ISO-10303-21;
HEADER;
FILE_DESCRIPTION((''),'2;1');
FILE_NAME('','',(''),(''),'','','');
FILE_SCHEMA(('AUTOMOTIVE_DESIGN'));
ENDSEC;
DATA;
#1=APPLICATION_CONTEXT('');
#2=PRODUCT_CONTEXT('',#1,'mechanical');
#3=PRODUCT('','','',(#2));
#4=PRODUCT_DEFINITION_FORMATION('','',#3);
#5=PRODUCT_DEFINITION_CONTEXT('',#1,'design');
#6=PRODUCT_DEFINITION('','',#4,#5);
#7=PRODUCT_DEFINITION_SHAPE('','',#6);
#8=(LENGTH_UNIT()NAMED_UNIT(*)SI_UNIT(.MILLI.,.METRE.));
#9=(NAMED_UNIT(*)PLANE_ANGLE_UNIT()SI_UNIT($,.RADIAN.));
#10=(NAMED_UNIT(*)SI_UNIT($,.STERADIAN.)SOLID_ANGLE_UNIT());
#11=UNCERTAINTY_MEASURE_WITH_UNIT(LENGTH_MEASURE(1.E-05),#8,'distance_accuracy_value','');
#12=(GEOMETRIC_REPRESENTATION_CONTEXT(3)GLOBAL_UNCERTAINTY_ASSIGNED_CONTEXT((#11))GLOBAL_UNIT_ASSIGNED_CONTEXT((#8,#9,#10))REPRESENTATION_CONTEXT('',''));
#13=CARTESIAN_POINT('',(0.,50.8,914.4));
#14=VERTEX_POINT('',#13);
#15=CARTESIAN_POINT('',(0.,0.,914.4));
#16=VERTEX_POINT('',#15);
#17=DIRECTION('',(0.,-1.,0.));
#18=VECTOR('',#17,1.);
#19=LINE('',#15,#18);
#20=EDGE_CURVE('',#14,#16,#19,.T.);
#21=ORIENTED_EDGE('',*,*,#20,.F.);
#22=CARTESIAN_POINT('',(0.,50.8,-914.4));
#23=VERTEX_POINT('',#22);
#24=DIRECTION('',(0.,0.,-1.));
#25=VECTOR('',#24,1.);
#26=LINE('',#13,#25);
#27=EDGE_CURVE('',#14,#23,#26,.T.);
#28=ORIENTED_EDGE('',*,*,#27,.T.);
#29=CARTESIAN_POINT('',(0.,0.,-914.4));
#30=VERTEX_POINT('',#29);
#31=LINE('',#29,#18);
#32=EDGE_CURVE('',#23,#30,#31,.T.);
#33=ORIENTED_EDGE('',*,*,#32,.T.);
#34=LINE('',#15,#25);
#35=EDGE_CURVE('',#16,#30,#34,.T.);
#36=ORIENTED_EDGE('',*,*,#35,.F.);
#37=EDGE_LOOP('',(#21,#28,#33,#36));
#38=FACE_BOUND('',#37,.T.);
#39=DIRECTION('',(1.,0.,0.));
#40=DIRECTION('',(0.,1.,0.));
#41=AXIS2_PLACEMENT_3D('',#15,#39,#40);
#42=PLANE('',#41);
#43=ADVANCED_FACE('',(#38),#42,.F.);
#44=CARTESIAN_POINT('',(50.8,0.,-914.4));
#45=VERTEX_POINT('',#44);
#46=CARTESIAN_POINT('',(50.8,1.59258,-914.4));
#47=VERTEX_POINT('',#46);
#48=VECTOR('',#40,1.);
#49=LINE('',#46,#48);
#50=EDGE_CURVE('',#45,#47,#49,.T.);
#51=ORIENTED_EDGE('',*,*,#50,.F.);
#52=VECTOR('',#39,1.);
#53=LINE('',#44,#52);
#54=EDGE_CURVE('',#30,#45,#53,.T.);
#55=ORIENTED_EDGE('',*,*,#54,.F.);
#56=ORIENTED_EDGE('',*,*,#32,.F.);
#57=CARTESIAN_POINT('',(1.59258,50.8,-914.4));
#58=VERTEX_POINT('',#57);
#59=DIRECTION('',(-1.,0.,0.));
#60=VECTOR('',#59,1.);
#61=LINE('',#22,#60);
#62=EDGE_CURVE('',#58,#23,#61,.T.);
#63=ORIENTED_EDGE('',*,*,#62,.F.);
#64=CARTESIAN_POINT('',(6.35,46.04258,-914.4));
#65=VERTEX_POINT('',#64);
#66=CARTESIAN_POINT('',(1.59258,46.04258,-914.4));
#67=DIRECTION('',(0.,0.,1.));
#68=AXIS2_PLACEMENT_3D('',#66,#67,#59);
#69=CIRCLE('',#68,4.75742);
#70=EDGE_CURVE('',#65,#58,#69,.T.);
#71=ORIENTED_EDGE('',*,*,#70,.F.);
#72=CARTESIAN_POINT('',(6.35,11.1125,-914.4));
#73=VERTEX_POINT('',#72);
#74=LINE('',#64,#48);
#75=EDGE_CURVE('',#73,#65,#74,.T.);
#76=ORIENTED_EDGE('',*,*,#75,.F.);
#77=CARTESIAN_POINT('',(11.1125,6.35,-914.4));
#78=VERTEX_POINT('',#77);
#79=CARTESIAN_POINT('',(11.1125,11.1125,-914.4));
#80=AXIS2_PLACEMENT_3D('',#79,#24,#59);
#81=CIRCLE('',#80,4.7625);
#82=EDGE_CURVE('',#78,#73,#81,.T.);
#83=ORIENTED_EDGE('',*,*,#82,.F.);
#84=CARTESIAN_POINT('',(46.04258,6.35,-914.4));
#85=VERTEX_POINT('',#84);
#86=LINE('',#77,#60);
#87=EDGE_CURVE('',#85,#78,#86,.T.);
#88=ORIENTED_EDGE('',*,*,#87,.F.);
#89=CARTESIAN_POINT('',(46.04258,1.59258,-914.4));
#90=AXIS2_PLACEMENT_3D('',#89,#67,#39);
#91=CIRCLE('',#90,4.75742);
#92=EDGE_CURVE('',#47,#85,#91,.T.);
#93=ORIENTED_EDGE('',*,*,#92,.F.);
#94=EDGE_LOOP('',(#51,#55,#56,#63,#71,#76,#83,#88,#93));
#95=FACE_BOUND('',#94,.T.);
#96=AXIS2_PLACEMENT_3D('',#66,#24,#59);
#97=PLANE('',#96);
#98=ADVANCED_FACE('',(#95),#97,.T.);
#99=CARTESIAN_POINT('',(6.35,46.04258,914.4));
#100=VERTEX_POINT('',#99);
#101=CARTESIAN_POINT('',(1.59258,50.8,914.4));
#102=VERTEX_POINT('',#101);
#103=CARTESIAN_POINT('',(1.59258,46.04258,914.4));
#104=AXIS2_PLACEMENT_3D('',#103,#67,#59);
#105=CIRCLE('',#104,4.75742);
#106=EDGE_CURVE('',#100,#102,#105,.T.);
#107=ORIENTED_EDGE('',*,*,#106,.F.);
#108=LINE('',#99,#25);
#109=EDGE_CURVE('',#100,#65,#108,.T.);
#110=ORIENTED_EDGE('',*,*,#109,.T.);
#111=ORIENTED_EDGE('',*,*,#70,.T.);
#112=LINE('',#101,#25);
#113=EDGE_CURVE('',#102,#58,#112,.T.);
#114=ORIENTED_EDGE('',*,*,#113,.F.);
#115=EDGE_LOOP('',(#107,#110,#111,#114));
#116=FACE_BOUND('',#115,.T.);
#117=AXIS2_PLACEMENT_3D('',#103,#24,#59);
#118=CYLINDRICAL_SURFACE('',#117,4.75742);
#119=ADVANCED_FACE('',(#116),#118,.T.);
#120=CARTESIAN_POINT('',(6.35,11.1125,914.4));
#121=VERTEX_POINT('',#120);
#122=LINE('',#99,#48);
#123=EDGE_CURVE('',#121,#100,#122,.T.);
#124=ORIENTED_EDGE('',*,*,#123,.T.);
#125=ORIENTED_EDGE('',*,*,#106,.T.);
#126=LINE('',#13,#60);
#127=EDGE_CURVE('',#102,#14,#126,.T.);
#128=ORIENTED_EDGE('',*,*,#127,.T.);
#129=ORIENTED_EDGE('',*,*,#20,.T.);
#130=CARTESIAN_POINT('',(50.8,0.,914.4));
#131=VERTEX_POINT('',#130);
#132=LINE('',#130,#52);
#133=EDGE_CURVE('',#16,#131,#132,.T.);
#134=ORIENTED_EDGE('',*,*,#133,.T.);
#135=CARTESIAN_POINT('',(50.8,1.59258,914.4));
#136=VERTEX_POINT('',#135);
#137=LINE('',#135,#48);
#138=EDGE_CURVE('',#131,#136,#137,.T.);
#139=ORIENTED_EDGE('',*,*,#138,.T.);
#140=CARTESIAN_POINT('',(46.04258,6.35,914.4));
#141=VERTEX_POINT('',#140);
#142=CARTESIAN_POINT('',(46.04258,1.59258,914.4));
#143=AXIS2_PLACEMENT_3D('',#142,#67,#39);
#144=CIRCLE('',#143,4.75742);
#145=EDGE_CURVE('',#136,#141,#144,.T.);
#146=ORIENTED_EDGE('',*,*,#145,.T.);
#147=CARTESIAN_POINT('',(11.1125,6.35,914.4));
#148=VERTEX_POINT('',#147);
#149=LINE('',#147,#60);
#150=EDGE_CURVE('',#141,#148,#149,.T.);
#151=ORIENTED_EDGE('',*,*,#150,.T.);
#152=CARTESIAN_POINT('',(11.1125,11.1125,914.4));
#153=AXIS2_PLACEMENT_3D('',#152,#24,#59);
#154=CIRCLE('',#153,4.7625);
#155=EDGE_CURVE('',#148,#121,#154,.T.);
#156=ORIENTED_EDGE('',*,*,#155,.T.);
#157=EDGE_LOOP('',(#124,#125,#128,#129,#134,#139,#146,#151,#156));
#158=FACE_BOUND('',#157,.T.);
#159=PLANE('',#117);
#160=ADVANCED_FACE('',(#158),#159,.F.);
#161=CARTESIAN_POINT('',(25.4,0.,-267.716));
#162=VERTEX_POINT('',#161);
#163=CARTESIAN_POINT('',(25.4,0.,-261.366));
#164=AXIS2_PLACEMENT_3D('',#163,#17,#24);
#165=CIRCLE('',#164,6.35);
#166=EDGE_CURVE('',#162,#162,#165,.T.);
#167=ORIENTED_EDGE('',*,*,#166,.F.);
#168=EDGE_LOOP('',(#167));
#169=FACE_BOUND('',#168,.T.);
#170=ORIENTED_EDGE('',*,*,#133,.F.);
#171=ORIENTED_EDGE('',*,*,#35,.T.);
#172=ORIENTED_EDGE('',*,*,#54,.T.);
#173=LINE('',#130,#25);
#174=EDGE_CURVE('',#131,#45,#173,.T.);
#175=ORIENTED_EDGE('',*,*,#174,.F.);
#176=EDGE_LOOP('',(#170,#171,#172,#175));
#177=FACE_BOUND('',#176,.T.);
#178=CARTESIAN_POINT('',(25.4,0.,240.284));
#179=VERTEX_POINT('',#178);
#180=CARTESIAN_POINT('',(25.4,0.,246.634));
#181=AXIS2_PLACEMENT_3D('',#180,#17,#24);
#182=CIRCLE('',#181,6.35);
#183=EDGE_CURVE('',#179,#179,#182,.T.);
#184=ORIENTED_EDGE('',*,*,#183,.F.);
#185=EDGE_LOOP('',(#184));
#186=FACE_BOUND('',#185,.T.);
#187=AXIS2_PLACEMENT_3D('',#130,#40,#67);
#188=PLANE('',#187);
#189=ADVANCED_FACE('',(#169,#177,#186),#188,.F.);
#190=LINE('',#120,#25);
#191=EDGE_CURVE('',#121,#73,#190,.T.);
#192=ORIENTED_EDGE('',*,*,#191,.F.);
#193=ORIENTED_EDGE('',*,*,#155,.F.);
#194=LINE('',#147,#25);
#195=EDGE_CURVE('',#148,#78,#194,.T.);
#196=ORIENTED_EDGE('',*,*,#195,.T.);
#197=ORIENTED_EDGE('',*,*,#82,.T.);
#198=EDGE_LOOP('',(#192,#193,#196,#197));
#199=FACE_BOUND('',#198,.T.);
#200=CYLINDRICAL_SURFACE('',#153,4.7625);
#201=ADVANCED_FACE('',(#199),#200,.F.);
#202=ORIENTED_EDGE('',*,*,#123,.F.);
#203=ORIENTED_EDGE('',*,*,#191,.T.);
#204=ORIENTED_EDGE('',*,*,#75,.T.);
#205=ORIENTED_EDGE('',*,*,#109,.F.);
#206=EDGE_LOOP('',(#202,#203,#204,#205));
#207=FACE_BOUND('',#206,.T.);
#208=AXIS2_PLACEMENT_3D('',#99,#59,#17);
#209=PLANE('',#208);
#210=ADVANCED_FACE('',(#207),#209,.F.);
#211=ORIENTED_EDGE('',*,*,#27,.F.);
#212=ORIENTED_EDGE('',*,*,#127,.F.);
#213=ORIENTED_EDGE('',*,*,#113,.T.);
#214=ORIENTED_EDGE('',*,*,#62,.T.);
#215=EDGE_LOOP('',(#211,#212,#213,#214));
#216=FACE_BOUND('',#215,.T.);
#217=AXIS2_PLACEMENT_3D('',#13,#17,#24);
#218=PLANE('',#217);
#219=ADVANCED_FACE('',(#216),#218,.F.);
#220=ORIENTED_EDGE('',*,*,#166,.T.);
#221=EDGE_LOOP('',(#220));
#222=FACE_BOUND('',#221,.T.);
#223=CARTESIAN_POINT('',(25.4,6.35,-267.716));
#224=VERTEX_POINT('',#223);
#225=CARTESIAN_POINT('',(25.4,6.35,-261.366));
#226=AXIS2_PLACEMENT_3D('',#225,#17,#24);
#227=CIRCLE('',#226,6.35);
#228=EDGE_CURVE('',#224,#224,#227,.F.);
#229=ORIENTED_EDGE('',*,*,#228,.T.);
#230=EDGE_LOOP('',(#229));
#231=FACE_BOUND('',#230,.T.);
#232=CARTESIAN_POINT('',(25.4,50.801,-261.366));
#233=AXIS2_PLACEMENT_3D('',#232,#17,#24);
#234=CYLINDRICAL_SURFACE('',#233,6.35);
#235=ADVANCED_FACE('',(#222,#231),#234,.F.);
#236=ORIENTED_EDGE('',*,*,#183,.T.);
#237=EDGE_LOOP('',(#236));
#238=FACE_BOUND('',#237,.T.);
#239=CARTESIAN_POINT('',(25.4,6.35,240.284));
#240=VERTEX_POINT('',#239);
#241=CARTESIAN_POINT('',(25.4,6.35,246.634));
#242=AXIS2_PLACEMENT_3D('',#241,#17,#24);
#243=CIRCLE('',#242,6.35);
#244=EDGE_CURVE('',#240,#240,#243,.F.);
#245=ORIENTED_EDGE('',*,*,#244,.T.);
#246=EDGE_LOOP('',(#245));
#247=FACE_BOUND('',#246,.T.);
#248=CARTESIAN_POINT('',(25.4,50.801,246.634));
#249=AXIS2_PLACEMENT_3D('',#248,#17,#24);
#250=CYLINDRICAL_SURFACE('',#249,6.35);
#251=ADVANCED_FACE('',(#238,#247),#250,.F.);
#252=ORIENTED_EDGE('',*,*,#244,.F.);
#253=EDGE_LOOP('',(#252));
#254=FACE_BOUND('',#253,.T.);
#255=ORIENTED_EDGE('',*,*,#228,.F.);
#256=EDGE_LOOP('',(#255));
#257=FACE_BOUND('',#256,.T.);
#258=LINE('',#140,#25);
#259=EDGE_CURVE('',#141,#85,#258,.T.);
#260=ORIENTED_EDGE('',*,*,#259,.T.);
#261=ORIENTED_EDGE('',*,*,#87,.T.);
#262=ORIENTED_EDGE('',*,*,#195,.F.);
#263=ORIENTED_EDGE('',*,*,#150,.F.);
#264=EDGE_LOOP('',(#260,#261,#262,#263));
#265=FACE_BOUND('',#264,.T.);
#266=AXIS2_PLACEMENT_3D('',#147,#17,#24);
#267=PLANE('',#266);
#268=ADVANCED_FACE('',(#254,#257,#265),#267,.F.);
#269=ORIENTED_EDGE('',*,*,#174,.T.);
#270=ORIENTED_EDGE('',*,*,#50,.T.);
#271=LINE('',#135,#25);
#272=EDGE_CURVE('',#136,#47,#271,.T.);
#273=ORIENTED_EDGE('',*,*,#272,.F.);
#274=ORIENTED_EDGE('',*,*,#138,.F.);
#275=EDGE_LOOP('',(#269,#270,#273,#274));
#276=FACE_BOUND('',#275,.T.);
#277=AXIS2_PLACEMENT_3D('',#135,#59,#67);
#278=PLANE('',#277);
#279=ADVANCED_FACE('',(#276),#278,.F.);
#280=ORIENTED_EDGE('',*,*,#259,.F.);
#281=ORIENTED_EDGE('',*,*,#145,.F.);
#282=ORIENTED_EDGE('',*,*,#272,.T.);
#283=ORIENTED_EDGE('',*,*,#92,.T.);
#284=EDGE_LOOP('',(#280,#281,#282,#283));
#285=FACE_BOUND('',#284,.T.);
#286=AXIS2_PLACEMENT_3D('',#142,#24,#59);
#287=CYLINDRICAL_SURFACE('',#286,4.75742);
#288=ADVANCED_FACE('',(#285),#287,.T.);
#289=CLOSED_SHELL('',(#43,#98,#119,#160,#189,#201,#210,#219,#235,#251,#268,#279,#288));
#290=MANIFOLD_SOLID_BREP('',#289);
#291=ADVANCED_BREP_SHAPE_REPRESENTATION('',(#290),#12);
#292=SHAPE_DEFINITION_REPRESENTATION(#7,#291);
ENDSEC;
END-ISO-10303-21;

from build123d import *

# Parameters (mm, degrees)
BOSS_EXTRUDE1_DEPTH = 914.4
CUT_EXTRUDE2_REACH  = 52.8
SKETCH5_R           = 6.35


with BuildPart() as part:
    # Sketch1 → Boss-Extrude1 (new body, symmetric)
    with BuildSketch(Plane.XY):
        with BuildLine():
            Line((0, 0), (0, 50.8))
            Line((0, 50.8), (1.59258, 50.8))
            ThreePointArc((1.59258, 50.8), (4.956583943, 49.406583943), (6.35, 46.04258))
            Line((6.35, 46.04258), (6.35, 11.1125))
            ThreePointArc((6.35, 11.1125), (7.744903955, 7.744903955), (11.1125, 6.35))
            Line((11.1125, 6.35), (46.04258, 6.35))
            ThreePointArc((46.04258, 6.35), (49.406583943, 4.956583943), (50.8, 1.59258))
            Line((50.8, 1.59258), (50.8, 0))
            Line((50.8, 0), (0, 0))
        make_face()
    extrude(amount=BOSS_EXTRUDE1_DEPTH, both=True)

    # Sketch5 → Cut-Extrude2 (cut, up to next)
    with BuildSketch(Plane.XZ, mode=Mode.PRIVATE) as cut_extrude2_sk1:
        with Locations((25.4, -261.366)):
            Circle(SKETCH5_R)
    cut_extrude2_tool1 = extrude(cut_extrude2_sk1.sketch, amount=-CUT_EXTRUDE2_REACH, mode=Mode.PRIVATE) & part.part
    add(cut_extrude2_tool1.solids().sort_by_distance((25.4, 0, -261.366))[0], mode=Mode.SUBTRACT)
    # Sketch5 → Cut-Extrude2 (cut, up to next)
    with BuildSketch(Plane.XZ, mode=Mode.PRIVATE) as cut_extrude2_sk2:
        with Locations((25.4, 246.634)):
            Circle(SKETCH5_R)
    cut_extrude2_tool2 = extrude(cut_extrude2_sk2.sketch, amount=-CUT_EXTRUDE2_REACH, mode=Mode.PRIVATE) & part.part
    add(cut_extrude2_tool2.solids().sort_by_distance((25.4, 0, 246.634))[0], mode=Mode.SUBTRACT)


solid = part.part
